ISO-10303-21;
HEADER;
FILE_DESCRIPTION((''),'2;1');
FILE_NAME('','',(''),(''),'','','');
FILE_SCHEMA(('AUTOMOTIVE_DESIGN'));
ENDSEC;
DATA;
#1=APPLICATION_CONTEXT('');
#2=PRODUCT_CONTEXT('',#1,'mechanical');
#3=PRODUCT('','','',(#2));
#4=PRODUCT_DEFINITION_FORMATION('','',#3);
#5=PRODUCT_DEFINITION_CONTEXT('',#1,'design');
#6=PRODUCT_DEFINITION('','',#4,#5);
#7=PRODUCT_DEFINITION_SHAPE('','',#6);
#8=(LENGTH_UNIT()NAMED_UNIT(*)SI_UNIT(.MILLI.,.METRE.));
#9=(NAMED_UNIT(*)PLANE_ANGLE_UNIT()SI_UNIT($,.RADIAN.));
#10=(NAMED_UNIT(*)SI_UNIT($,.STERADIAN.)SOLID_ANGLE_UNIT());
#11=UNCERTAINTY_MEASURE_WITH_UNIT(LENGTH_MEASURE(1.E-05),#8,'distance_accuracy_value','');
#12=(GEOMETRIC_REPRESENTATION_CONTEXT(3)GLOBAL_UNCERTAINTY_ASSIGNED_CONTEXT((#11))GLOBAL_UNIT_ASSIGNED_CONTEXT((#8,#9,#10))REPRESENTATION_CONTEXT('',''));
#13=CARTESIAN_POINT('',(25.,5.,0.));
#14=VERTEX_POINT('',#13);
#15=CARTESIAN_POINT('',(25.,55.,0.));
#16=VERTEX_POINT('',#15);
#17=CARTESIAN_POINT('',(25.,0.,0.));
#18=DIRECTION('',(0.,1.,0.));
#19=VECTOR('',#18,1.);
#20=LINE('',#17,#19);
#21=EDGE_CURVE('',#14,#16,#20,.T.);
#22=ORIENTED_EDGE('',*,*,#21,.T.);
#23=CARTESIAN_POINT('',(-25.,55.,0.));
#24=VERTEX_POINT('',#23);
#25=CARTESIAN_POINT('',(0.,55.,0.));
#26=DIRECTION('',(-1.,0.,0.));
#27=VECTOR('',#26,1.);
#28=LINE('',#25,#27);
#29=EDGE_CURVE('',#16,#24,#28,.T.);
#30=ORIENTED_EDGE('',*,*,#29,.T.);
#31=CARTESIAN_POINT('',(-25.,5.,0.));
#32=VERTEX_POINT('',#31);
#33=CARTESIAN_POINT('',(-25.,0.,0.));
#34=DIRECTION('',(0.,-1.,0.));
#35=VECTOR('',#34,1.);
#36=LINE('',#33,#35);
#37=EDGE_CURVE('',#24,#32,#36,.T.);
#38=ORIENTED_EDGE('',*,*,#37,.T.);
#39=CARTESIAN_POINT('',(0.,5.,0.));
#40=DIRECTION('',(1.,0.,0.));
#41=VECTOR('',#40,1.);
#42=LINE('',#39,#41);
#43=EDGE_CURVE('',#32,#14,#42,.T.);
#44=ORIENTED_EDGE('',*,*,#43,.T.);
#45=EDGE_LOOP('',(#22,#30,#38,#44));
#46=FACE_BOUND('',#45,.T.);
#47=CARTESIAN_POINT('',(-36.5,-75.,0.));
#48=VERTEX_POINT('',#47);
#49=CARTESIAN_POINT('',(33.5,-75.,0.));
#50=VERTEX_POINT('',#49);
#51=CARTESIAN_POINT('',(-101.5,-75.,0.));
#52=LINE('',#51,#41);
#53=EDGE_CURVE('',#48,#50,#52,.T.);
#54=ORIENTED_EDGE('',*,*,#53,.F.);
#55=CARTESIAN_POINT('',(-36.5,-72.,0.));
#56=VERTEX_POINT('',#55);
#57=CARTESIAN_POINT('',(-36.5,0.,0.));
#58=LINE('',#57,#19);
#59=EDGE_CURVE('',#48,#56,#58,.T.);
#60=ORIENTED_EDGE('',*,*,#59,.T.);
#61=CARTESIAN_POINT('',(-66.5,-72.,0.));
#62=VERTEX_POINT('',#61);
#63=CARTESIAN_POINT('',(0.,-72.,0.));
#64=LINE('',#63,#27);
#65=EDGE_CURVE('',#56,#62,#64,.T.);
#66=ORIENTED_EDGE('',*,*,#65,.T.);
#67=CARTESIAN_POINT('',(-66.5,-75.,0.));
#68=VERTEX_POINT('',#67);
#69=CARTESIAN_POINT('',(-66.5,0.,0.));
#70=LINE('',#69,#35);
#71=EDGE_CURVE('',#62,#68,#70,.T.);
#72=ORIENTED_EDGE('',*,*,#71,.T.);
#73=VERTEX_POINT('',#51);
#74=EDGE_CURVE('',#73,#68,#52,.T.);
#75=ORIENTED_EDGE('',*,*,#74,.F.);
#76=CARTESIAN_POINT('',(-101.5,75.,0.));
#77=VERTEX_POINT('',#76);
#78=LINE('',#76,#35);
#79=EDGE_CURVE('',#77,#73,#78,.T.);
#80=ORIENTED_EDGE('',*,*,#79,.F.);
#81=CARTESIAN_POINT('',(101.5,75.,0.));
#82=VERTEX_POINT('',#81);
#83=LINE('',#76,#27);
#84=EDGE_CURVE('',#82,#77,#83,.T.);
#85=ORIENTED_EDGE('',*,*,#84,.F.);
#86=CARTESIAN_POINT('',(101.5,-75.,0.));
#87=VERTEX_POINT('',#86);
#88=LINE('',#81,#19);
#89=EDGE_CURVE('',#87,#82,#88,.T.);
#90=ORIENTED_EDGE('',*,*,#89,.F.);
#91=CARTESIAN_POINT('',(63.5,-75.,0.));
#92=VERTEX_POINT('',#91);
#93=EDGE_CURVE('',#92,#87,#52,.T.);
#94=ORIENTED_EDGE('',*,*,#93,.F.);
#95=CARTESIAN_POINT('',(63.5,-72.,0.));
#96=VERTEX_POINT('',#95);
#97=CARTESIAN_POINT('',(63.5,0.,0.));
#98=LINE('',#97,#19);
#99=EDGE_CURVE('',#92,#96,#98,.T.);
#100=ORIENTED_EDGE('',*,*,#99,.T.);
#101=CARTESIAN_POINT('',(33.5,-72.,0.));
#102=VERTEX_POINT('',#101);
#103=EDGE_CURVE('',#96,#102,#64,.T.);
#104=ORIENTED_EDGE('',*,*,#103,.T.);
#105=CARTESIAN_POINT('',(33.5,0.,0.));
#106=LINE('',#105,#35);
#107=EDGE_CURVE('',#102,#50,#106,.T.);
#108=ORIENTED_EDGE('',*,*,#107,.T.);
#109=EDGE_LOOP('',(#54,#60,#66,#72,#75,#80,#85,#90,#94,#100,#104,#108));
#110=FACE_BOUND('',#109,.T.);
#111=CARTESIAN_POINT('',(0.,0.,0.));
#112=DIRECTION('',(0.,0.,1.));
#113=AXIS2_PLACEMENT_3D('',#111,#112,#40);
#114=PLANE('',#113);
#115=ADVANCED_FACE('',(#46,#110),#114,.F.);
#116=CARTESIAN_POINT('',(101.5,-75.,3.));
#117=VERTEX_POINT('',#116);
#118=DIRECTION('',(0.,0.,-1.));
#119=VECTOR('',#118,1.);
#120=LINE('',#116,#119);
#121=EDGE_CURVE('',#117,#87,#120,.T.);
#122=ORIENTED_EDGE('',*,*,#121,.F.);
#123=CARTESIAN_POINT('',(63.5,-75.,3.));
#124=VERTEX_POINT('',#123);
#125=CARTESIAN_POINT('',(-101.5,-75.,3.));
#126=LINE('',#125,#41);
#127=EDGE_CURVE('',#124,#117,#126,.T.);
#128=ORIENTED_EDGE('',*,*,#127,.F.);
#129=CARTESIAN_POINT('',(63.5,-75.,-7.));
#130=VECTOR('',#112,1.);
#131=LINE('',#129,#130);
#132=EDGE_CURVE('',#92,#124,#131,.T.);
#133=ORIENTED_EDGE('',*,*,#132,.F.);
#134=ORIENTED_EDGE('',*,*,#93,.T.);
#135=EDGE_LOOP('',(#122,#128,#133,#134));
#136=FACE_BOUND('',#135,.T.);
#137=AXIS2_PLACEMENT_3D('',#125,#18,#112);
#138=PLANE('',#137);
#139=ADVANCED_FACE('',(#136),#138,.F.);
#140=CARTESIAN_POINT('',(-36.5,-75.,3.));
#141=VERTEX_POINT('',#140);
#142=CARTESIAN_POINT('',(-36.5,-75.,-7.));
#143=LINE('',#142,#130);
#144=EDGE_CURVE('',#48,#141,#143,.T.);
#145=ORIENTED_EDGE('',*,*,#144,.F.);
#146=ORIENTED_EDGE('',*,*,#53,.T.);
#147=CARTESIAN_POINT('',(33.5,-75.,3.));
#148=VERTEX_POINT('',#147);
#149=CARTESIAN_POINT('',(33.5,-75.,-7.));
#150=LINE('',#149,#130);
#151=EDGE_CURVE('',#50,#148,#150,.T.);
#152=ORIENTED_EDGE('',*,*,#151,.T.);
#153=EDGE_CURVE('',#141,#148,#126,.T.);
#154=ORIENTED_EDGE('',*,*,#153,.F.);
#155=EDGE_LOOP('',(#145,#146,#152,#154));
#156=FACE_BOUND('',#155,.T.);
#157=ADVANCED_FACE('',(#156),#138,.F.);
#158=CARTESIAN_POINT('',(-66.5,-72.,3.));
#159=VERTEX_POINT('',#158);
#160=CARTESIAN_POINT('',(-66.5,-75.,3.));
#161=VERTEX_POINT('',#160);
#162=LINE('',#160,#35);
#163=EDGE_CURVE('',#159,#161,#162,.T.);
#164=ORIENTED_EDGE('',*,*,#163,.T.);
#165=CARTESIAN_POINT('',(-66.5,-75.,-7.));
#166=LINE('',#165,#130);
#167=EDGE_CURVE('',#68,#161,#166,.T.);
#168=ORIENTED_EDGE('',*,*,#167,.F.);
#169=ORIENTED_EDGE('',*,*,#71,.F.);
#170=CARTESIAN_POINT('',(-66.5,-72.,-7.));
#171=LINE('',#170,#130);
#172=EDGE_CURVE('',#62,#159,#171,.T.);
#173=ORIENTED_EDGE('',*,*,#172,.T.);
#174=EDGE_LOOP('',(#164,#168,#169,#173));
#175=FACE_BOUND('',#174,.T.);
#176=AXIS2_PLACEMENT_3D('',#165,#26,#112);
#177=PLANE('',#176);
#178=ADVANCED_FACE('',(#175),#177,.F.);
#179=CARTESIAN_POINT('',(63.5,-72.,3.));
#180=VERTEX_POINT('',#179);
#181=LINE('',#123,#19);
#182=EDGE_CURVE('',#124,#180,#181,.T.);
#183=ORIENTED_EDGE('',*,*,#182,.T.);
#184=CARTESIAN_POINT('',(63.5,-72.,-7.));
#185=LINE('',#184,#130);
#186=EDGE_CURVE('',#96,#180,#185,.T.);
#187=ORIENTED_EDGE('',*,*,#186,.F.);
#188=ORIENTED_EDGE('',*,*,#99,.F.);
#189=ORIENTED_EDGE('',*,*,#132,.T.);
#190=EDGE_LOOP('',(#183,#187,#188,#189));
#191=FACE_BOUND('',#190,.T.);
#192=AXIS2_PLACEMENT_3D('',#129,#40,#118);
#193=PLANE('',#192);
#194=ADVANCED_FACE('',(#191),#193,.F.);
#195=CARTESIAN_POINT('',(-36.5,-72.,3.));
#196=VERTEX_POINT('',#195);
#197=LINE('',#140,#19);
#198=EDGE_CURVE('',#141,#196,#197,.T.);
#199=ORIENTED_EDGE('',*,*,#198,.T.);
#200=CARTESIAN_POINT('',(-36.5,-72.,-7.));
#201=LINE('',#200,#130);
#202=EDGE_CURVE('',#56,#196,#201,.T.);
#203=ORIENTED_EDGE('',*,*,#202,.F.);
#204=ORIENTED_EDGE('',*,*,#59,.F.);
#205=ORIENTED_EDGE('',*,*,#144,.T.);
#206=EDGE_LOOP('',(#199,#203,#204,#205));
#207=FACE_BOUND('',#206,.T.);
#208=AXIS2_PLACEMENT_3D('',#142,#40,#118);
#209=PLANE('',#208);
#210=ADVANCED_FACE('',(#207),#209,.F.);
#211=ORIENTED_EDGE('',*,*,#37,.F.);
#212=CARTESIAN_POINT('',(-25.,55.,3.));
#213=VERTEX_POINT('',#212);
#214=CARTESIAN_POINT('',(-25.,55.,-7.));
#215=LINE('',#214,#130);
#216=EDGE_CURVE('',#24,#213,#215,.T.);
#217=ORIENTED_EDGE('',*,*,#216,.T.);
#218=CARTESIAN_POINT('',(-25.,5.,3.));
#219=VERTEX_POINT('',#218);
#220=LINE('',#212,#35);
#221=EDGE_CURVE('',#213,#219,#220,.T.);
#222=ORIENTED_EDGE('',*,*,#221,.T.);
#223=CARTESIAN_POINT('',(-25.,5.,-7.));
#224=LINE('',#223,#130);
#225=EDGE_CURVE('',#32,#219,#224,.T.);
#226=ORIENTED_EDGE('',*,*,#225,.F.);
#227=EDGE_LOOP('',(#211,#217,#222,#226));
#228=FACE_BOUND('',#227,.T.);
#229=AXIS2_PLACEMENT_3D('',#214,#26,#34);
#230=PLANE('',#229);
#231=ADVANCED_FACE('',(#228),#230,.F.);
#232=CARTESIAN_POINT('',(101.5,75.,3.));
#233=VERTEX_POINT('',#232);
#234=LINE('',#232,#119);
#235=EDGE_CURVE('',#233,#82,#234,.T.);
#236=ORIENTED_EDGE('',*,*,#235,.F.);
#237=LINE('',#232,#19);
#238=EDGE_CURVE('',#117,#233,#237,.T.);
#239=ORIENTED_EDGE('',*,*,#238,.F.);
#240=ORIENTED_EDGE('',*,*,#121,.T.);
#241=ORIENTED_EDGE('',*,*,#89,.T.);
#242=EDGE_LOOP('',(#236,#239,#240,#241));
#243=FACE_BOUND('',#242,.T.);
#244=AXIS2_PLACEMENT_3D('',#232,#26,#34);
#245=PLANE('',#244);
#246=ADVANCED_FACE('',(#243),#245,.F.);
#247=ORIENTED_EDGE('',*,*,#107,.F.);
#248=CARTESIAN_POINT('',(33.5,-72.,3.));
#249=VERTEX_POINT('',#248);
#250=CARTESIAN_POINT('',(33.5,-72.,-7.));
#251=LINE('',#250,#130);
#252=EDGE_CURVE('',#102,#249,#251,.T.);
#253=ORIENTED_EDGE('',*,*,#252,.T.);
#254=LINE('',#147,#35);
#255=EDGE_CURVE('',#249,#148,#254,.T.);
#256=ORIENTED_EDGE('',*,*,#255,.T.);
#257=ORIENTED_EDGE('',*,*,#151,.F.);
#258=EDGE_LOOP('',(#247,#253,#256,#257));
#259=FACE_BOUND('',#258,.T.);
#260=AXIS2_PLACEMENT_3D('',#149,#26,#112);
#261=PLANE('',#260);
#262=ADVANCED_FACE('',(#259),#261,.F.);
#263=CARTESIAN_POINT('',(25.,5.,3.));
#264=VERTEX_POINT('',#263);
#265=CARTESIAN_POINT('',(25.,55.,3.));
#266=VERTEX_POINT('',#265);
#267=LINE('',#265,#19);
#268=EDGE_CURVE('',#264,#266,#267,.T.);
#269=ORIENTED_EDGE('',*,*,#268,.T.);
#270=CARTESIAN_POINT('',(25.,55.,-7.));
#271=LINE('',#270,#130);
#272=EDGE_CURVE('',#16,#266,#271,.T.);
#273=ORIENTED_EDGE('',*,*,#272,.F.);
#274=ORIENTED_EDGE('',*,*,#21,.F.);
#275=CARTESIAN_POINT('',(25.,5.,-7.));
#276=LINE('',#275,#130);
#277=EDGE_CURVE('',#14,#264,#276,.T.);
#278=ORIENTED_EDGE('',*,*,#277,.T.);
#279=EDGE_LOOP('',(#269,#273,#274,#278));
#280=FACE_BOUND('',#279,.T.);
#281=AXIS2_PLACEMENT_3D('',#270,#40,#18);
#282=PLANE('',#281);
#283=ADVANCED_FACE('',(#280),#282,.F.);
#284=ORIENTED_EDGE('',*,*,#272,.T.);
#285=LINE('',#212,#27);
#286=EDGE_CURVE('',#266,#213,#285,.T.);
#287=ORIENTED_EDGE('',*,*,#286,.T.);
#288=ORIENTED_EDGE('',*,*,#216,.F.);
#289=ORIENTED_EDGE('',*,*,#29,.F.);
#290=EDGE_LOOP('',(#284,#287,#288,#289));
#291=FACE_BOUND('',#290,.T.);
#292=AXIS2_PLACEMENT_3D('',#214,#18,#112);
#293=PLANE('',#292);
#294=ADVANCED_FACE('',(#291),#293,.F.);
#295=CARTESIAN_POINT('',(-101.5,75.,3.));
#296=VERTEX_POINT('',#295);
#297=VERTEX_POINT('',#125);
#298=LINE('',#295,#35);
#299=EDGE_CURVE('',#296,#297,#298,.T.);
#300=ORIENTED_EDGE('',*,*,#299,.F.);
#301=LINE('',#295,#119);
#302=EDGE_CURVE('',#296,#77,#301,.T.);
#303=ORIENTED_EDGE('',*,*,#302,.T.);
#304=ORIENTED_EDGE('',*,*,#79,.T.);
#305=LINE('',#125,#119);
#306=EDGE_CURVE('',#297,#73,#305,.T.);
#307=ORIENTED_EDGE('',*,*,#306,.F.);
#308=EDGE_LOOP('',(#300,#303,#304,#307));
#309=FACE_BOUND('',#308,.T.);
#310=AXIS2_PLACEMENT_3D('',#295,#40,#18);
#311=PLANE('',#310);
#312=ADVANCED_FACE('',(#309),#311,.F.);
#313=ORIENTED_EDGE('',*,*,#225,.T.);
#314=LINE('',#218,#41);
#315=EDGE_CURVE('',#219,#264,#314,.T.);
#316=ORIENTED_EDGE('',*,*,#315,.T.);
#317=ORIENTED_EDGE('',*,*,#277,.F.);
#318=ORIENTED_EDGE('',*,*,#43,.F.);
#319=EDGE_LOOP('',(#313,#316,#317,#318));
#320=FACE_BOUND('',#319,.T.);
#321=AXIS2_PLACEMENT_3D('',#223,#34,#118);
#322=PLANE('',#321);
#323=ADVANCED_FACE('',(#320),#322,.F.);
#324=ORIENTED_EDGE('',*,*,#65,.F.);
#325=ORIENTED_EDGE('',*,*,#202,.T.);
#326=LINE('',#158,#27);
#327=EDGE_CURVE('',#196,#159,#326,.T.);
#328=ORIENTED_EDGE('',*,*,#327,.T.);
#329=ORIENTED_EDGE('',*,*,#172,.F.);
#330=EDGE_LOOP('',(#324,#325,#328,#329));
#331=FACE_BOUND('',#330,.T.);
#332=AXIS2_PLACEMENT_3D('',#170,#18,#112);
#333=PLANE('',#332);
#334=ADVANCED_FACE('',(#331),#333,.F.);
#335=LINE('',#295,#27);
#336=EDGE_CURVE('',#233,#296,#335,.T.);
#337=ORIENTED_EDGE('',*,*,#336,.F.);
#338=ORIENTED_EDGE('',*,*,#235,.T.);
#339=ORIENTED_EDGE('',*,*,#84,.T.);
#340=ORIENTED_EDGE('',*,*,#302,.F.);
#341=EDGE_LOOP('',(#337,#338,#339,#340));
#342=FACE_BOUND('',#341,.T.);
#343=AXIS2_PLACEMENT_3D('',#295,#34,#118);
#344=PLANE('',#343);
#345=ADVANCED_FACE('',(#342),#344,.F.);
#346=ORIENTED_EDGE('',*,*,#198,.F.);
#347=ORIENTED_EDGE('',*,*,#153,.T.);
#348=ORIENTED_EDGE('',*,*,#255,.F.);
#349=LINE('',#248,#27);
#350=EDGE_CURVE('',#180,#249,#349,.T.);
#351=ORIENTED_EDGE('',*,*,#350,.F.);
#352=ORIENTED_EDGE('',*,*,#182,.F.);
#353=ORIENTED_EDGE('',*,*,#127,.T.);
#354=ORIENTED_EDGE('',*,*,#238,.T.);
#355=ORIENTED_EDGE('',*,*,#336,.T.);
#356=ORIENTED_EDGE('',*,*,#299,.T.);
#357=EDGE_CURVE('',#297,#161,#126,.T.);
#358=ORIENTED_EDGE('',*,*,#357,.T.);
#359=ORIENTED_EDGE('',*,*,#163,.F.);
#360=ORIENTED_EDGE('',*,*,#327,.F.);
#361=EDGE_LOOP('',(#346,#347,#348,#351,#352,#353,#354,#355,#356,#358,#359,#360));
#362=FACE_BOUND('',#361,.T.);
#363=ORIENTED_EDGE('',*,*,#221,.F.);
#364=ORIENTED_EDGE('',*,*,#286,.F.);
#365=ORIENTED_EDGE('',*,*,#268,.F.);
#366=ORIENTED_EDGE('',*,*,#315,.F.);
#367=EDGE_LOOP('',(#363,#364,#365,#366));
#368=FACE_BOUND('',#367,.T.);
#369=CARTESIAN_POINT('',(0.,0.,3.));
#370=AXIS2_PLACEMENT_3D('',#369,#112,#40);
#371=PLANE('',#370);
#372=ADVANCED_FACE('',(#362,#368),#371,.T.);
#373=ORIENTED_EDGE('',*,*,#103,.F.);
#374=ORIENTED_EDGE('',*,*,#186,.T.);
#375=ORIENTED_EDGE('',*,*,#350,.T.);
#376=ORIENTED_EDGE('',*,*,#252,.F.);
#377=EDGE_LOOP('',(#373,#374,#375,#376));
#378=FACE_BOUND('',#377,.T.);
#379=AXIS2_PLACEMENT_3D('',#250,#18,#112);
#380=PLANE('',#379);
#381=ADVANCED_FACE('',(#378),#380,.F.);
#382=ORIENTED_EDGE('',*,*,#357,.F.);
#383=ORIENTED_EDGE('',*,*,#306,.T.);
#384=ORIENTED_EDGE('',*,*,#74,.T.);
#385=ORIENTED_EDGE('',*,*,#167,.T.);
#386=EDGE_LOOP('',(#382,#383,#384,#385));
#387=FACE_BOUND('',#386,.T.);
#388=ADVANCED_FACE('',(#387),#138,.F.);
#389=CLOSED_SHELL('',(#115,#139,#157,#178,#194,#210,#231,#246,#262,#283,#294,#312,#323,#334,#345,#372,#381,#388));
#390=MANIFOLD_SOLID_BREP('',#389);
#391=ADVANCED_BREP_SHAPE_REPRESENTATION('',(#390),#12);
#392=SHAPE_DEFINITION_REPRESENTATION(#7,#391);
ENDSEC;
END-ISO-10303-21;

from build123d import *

# Parameters (mm, degrees)
SKETCH1_W           = 203
SKETCH1_H           = 150
BOSS_EXTRUDE1_DEPTH = 3
SKETCH2_W           = 50
SKETCH2_H           = 50
CUT_EXTRUDE1_DEPTH  = 10
SKETCH3_W           = 30
SKETCH3_H           = 3
CUT_EXTRUDE2_DEPTH  = 10


with BuildPart() as part:
    # Sketch1 → Boss-Extrude1 (new body)
    with BuildSketch(Plane.XY):
        Rectangle(SKETCH1_W, SKETCH1_H)
    extrude(amount=BOSS_EXTRUDE1_DEPTH)

    # Sketch2 → Cut-Extrude1 (cut)
    with BuildSketch(Plane.XY.offset(3)):
        with Locations((0, 30)):
            Rectangle(SKETCH2_W, SKETCH2_H)
    extrude(amount=-CUT_EXTRUDE1_DEPTH, mode=Mode.SUBTRACT)

    # Sketch3 → Cut-Extrude2 (cut)
    with BuildSketch(Plane.XY.offset(3)):
        with Locations((-51.5, -73.5)):
            Rectangle(SKETCH3_W, SKETCH3_H)
        with Locations((48.5, -73.5)):
            Rectangle(SKETCH3_W, SKETCH3_H)
    extrude(amount=-CUT_EXTRUDE2_DEPTH, mode=Mode.SUBTRACT)


solid = part.part
